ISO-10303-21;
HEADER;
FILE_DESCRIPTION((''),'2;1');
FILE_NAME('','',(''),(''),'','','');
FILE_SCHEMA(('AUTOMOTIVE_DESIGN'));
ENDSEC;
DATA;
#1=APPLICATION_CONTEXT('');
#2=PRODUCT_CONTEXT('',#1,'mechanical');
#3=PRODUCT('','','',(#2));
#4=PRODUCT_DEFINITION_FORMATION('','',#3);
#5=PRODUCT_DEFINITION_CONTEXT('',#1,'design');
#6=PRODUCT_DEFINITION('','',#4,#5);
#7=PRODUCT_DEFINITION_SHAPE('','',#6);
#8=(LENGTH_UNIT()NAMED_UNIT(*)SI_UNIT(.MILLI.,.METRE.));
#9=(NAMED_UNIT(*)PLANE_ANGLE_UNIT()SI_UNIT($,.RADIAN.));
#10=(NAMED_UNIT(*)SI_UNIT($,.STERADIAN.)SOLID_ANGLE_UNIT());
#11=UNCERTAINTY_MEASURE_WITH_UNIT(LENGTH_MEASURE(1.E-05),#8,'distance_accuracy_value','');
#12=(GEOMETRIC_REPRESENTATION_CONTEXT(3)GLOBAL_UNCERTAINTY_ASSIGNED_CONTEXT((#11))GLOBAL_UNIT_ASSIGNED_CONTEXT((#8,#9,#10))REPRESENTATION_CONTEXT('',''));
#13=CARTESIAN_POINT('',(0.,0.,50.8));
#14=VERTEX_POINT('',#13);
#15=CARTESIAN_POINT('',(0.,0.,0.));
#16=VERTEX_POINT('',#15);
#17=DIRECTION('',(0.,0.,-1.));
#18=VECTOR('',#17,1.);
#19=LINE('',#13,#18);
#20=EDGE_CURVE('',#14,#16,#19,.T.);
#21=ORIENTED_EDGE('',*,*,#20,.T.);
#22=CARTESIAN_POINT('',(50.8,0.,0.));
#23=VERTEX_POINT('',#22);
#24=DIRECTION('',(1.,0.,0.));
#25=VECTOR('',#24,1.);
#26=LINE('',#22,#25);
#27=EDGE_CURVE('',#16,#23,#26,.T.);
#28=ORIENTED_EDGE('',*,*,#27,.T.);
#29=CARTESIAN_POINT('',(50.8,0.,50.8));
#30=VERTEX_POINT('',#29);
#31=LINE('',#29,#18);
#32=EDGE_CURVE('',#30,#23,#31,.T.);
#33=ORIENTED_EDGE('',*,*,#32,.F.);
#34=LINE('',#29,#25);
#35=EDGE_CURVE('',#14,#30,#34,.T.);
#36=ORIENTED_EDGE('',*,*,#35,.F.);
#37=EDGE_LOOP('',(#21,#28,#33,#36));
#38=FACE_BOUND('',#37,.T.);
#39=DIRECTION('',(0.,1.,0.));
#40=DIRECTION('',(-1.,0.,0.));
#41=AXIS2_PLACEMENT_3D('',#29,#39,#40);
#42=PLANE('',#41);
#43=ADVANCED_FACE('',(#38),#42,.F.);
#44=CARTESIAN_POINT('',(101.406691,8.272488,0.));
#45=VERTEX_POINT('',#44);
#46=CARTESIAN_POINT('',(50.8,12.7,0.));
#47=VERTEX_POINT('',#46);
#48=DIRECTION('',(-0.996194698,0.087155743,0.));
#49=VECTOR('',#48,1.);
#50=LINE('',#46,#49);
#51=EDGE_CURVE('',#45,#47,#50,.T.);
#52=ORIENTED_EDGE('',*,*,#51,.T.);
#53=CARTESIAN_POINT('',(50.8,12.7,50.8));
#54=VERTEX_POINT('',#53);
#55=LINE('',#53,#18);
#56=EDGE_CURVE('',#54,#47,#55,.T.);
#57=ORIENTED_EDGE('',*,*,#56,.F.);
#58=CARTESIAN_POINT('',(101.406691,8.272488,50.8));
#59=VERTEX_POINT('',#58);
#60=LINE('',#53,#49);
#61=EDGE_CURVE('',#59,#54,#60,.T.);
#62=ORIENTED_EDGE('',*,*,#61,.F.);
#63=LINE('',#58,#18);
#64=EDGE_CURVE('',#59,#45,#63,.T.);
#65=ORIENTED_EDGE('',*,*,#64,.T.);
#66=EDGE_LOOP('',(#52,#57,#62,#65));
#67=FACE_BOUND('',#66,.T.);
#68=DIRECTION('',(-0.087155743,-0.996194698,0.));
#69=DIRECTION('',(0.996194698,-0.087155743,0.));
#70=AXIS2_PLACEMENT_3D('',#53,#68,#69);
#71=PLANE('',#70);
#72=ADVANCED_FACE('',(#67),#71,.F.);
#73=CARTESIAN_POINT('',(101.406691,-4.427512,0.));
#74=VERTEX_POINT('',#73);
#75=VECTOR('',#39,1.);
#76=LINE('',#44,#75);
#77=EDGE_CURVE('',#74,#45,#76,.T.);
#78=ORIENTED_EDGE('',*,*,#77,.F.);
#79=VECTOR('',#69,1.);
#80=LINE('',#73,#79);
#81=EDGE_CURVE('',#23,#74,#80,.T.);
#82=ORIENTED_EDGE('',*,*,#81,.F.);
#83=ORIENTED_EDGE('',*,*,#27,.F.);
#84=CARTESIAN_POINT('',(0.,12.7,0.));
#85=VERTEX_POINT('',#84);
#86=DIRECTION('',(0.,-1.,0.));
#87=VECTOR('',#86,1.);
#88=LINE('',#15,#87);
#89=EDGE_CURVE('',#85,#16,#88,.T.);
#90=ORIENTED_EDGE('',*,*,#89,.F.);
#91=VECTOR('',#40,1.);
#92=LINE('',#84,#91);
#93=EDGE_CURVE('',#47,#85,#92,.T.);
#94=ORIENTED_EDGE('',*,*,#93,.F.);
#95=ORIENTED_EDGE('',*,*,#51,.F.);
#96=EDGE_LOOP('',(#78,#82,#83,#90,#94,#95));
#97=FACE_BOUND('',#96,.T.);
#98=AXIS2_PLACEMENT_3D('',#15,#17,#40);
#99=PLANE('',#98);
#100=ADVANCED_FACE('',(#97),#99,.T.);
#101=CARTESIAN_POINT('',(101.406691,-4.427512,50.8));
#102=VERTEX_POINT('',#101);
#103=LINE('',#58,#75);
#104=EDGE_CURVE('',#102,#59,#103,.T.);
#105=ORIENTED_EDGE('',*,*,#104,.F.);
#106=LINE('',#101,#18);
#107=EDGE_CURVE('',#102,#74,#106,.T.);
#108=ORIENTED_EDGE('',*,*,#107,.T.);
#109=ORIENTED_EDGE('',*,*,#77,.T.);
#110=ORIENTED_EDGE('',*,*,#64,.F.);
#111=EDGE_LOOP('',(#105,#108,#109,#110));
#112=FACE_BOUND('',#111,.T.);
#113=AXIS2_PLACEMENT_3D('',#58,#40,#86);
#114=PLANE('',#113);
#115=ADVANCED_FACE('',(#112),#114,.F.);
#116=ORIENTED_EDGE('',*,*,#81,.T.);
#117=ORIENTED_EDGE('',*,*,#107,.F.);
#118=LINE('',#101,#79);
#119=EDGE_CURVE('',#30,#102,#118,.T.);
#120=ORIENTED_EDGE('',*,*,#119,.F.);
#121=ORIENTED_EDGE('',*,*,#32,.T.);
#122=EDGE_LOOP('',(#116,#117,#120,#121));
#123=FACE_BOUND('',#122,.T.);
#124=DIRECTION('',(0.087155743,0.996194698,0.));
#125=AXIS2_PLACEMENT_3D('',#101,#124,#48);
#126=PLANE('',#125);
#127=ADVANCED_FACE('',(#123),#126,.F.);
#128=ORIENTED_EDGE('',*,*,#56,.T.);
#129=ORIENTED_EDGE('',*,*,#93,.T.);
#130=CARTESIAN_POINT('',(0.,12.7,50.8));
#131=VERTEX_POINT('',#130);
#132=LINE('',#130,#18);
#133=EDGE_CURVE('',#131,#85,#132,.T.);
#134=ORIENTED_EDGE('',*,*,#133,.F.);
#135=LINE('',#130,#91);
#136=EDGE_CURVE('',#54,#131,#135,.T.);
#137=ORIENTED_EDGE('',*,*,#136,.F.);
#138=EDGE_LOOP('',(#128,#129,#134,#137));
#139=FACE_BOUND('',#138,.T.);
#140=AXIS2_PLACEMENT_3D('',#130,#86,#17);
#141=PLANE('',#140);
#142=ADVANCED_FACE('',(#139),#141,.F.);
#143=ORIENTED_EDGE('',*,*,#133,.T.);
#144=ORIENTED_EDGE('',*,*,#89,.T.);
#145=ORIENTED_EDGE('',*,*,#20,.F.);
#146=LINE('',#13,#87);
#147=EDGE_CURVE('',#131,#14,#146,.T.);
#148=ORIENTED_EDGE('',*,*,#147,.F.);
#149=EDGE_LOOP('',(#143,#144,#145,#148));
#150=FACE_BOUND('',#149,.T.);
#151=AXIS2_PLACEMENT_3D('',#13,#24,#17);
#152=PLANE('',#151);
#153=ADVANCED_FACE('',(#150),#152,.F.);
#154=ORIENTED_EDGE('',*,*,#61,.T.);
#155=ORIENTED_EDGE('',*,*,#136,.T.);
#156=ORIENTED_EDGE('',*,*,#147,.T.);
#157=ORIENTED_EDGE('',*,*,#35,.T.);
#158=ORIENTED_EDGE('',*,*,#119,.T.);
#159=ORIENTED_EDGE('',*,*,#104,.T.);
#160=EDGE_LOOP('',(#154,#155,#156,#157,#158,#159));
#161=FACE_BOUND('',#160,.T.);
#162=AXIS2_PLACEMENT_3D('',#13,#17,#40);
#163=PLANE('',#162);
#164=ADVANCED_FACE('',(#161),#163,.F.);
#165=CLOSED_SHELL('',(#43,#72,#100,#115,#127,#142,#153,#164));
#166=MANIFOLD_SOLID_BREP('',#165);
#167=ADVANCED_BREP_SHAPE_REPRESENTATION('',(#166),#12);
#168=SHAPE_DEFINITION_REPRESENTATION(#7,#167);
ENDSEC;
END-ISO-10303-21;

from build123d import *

# Parameters (mm, degrees)
BOSS_EXTRUDE1_DEPTH = 50.8


with BuildPart() as part:
    # Sketch1 → Boss-Extrude1 (new body)
    with BuildSketch(Plane.XY):
        Polygon((0, 0), (0, 12.7), (50.8, 12.7), (101.406690663, 8.272488268), (101.406690663, -4.427511732), (50.8, 0), align=None)
    extrude(amount=BOSS_EXTRUDE1_DEPTH)


solid = part.part
